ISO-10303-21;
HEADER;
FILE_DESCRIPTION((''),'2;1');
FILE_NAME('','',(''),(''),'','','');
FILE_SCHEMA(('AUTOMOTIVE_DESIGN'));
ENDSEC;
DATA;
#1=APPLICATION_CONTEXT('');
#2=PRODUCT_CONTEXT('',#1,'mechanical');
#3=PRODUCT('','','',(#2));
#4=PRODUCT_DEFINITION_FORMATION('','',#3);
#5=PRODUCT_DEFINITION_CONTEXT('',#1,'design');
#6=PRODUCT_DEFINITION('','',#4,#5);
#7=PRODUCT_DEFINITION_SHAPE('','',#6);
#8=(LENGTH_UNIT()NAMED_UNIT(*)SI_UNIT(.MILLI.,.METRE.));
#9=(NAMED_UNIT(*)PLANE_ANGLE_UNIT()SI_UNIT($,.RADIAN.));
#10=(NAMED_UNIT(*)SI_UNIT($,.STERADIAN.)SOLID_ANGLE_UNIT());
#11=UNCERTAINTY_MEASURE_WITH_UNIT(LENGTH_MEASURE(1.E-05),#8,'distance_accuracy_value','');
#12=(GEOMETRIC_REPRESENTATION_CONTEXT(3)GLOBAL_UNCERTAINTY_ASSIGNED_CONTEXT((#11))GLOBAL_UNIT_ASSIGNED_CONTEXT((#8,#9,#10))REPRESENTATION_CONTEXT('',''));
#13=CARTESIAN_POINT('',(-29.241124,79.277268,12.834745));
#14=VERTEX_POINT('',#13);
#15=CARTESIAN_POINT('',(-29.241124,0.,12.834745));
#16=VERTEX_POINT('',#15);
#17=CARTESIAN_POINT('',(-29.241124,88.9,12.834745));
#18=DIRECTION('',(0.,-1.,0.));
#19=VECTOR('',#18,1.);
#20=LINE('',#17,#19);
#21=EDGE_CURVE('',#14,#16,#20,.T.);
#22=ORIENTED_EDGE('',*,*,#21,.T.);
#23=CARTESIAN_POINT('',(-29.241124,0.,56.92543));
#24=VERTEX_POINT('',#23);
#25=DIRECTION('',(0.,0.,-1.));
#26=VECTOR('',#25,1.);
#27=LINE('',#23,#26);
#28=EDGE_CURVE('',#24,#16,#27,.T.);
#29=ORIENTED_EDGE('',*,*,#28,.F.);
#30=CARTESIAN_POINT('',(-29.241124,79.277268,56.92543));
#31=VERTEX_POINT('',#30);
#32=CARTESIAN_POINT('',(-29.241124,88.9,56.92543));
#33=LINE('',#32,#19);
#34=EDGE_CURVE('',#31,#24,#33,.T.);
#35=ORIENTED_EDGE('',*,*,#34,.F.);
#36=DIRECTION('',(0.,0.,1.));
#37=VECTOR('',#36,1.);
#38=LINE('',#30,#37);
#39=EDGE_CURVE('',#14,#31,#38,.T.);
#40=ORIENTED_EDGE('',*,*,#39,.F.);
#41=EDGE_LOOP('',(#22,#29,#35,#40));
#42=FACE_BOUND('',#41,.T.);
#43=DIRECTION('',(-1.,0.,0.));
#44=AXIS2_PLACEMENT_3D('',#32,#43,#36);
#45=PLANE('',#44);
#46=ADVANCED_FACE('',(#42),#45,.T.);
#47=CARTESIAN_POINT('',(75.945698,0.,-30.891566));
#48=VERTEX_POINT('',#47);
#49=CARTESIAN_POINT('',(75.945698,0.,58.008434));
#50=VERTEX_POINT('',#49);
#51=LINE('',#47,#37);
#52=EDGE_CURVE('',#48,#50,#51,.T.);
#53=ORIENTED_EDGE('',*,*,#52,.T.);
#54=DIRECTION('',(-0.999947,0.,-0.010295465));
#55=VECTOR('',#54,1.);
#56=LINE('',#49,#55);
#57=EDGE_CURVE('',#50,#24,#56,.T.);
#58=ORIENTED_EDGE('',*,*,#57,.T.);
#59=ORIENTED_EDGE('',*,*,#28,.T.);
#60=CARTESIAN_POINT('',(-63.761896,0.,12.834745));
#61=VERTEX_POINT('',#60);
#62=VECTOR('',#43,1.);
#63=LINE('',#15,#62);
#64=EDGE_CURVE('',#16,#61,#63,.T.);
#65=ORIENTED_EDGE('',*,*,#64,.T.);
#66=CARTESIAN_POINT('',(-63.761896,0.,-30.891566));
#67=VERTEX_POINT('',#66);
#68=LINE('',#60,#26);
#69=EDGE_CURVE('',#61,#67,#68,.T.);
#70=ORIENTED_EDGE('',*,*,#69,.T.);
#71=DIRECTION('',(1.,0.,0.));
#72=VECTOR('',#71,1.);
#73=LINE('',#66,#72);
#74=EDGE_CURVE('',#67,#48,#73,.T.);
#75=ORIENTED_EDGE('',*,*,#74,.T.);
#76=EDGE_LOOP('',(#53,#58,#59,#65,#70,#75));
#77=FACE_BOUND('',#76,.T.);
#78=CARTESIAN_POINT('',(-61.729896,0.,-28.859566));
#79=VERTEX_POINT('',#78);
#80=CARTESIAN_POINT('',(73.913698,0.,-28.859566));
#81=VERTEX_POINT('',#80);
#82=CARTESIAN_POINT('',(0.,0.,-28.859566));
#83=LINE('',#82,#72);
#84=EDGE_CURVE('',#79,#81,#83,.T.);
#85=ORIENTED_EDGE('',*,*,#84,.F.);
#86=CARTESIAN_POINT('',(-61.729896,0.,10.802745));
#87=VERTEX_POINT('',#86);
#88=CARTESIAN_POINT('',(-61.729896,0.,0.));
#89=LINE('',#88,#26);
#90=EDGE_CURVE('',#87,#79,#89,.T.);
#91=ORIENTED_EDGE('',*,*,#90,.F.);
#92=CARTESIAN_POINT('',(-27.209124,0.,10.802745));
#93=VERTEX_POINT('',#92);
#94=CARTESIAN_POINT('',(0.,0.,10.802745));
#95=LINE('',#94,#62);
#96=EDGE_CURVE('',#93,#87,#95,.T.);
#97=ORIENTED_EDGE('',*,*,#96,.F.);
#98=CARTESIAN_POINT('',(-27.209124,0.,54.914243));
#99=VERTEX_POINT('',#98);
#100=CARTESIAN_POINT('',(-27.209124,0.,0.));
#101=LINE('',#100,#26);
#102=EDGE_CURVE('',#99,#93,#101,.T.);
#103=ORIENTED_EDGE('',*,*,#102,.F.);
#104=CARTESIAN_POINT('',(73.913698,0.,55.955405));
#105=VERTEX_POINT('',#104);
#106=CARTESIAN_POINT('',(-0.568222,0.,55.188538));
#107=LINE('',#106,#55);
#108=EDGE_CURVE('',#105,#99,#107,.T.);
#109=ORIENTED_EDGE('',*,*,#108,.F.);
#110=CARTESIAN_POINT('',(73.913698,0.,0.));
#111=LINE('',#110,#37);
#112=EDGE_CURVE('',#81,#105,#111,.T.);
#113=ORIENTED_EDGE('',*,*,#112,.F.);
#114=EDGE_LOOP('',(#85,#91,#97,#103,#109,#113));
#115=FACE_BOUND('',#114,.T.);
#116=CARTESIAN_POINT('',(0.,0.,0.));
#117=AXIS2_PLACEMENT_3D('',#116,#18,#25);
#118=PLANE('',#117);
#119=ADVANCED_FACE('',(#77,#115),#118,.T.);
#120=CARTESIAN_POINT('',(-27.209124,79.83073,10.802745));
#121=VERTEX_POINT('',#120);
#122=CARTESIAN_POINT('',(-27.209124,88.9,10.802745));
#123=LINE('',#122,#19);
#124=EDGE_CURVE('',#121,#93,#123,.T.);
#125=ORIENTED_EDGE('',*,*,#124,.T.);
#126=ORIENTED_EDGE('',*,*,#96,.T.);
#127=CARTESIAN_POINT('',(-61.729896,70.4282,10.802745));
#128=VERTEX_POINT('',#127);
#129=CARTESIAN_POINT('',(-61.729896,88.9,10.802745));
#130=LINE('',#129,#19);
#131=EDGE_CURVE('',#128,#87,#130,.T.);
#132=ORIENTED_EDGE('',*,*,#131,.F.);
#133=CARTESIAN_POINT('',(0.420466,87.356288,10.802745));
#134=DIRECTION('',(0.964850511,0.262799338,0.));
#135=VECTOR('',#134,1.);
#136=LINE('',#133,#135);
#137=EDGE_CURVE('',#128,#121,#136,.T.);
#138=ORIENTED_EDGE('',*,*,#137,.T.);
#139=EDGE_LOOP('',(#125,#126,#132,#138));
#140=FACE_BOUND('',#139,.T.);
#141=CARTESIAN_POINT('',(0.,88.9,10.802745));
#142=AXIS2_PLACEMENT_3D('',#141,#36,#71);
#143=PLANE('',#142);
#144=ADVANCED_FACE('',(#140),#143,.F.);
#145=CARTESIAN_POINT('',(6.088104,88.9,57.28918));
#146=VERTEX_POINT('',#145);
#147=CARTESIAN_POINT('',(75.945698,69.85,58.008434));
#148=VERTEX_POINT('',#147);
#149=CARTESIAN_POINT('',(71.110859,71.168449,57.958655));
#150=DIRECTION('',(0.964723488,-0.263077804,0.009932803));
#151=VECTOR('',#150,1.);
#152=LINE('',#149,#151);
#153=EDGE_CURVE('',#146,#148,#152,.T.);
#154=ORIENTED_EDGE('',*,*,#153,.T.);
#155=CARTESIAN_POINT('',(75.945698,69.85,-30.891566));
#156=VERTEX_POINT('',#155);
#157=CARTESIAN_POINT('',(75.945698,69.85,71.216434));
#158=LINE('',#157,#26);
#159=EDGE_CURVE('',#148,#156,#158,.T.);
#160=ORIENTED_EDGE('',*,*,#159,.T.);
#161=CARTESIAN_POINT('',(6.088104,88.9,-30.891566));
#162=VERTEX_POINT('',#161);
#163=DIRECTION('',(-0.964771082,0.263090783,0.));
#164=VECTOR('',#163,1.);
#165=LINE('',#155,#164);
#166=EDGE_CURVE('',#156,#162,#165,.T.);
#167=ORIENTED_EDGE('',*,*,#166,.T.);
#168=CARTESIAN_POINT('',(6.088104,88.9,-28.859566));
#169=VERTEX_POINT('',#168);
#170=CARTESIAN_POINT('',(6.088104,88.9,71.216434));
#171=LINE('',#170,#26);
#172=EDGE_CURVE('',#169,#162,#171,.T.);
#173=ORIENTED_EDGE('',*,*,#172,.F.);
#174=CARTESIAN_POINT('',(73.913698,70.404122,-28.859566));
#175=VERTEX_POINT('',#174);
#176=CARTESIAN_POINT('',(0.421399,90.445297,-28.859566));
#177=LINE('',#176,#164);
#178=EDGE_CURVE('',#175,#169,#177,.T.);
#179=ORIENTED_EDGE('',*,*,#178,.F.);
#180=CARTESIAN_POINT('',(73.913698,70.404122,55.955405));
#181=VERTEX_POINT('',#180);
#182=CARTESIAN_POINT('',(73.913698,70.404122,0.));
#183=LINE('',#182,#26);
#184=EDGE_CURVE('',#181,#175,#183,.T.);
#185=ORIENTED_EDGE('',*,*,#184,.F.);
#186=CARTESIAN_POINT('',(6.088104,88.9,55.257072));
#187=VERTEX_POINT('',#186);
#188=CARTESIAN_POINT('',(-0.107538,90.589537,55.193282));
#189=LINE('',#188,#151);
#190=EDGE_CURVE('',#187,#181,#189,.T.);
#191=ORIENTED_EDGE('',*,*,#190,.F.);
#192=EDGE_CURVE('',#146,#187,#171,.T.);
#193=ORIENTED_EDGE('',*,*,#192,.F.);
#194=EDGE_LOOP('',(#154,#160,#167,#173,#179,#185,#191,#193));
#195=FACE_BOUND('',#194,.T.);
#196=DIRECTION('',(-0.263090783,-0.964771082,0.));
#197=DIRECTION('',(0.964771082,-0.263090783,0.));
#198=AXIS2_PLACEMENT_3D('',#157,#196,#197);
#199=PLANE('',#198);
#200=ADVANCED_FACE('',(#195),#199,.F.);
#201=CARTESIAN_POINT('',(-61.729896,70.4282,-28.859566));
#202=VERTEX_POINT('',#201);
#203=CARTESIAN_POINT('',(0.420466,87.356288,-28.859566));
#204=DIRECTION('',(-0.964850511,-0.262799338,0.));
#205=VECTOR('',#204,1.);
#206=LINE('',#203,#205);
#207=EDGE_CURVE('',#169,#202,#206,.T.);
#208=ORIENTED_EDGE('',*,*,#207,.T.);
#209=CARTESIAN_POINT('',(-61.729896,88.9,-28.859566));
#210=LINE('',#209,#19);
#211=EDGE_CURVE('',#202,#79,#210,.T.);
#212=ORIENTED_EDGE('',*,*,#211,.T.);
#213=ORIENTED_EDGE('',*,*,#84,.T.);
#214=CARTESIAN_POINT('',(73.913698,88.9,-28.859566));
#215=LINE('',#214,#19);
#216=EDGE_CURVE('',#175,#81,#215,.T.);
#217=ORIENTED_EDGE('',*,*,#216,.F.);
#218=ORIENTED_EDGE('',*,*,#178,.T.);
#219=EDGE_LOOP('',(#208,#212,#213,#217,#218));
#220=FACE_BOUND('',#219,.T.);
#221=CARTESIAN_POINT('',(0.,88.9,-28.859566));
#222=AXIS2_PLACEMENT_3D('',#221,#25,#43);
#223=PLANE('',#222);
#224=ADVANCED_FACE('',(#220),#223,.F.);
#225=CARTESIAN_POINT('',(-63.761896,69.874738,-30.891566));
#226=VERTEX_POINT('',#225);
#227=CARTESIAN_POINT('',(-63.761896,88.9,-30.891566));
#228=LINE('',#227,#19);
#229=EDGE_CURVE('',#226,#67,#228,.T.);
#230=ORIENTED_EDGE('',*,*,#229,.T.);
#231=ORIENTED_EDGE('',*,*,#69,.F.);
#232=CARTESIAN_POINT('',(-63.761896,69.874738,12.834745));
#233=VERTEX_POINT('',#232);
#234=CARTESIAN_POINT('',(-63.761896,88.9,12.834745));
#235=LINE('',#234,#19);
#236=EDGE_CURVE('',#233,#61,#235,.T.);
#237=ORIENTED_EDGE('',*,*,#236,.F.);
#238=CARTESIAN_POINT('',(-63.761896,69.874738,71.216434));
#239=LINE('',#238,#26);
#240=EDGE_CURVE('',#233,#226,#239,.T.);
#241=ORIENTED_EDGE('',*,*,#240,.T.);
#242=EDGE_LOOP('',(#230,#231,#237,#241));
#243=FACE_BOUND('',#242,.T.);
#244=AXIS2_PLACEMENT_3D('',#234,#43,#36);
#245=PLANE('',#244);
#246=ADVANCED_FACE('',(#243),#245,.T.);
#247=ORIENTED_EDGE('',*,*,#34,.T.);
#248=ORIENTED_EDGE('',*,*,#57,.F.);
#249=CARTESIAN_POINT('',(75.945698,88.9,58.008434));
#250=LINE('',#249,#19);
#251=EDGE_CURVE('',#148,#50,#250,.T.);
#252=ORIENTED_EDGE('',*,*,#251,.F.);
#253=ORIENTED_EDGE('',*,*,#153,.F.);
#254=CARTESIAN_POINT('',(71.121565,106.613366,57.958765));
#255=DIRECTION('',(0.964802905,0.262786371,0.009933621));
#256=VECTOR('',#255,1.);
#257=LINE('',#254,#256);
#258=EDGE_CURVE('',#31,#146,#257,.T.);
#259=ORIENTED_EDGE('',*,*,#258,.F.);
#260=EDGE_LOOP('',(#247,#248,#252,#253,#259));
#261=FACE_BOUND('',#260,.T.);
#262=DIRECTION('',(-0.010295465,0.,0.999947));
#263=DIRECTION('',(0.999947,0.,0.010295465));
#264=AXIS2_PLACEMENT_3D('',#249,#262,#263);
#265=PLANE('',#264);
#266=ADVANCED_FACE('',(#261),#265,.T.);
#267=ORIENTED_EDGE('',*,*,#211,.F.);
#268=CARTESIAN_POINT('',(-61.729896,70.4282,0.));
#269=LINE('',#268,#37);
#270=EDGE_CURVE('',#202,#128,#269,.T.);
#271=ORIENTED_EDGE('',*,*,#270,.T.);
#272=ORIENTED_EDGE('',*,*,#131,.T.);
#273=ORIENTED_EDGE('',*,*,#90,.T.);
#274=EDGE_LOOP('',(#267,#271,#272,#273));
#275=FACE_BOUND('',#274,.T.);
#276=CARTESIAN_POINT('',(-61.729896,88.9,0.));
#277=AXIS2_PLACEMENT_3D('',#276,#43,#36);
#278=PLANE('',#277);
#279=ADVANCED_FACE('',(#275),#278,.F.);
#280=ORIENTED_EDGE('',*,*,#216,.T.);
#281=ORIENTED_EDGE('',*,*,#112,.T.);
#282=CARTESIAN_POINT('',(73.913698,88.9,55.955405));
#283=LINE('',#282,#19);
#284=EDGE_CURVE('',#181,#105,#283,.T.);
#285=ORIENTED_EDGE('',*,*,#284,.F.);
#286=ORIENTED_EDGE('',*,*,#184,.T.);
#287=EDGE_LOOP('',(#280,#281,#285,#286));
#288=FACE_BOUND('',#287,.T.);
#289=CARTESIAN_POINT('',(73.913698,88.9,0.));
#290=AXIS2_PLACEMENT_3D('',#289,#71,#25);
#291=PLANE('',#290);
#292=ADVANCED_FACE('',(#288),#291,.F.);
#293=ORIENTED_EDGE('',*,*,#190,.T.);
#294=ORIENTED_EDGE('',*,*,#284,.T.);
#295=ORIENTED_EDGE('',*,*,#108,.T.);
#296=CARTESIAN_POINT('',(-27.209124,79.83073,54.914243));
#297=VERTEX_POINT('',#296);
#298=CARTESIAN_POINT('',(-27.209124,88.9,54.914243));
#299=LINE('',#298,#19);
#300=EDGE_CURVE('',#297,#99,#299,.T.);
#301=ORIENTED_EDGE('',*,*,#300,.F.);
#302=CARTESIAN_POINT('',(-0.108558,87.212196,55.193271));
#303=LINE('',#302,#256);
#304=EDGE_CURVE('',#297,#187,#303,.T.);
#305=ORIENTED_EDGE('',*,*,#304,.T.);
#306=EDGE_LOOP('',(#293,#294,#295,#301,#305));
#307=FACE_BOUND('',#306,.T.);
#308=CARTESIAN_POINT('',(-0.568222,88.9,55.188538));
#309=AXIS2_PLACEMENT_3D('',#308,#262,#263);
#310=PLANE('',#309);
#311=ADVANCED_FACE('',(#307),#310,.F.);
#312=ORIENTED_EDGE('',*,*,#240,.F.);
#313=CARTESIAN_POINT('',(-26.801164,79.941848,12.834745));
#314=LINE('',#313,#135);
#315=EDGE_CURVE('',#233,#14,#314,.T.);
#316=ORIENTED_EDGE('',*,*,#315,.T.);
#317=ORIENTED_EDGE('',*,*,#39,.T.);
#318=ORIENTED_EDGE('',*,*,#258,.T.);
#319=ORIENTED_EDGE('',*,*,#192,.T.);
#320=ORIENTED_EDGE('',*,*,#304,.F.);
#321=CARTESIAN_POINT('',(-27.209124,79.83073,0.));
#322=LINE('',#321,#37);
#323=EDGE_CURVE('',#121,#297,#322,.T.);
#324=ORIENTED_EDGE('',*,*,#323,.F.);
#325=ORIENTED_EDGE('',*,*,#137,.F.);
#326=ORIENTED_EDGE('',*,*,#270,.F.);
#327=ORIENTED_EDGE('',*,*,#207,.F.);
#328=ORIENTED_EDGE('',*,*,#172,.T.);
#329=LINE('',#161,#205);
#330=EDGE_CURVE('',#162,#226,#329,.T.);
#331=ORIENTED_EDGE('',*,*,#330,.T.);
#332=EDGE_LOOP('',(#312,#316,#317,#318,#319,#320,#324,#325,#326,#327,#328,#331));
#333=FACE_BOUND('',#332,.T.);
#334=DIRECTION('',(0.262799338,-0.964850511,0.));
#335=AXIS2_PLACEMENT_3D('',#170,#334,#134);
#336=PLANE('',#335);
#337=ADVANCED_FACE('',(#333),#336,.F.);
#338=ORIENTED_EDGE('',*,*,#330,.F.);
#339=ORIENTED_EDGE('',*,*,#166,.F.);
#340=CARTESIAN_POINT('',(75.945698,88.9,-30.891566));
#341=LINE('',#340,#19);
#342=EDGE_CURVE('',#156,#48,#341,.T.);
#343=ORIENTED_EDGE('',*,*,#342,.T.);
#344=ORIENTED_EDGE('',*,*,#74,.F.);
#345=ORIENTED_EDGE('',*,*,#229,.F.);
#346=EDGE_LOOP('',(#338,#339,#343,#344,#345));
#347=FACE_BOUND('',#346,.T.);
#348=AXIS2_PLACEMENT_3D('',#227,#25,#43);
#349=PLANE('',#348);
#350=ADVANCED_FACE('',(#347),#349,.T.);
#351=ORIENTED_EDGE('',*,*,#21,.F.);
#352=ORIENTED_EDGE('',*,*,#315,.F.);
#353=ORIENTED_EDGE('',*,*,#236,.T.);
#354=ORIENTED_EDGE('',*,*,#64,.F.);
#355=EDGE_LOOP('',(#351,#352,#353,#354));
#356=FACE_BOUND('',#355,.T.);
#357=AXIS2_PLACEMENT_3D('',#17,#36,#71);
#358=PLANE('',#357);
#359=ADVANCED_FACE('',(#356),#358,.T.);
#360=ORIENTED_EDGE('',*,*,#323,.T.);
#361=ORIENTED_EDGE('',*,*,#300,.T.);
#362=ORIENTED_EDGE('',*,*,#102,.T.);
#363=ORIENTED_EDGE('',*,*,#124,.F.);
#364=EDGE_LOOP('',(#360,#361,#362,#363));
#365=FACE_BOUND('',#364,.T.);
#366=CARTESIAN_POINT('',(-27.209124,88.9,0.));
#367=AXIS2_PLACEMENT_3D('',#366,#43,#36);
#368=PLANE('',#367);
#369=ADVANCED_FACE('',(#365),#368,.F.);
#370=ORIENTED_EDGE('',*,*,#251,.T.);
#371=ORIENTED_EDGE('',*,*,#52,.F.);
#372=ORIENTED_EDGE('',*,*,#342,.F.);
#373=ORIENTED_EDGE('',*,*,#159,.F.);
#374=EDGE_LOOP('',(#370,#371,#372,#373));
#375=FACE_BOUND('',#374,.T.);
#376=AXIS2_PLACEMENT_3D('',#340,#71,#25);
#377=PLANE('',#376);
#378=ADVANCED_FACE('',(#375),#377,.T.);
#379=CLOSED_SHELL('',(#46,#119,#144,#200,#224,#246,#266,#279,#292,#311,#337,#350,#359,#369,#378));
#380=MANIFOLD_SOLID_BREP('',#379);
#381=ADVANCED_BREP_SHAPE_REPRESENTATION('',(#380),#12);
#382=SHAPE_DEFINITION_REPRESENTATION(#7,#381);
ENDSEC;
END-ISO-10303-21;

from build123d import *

# Parameters (mm, degrees)
BOSS_EXTRUDE1_DEPTH = 88.9
CUT_EXTRUDE1_DEPTH  = 102.108


with BuildPart() as part:
    # Sketch2 → Boss-Extrude1 (new body)
    with BuildSketch(Plane(origin=(0, 0, 0), x_dir=(1, 0, 0), z_dir=(0, 1, 0))):
        Polygon((-63.761896162, 30.891565806), (75.945697976, 30.891565806), (75.945697976, -58.008434194), (-29.241124355, -56.925429588), (-29.241124355, -12.83474515), (-63.761896162, -12.83474515), align=None)
        Polygon((-61.729896162, -10.80274515), (-61.729896162, 28.859565806), (73.913697976, 28.859565806), (73.913697976, -55.955405), (-27.209124355, -54.91424338), (-27.209124355, -10.80274515), align=None, mode=Mode.SUBTRACT)
    extrude(amount=BOSS_EXTRUDE1_DEPTH)

    # Sketch3 → Cut-Extrude1 (cut)
    with BuildSketch(Plane(origin=(0, 0, -30.891565806), x_dir=(-1, 0, 0), z_dir=(0, 0, -1))):
        Polygon((-75.945697976, 69.85), (-6.088103838, 88.9), (63.761896162, 69.874738021), (86.047504552, 68.33004544), (86.047504552, 107.907647221), (-94.439058548, 107.907647221), (-94.439058548, 69.85), align=None)
    extrude(amount=-CUT_EXTRUDE1_DEPTH, mode=Mode.SUBTRACT)


solid = part.part
